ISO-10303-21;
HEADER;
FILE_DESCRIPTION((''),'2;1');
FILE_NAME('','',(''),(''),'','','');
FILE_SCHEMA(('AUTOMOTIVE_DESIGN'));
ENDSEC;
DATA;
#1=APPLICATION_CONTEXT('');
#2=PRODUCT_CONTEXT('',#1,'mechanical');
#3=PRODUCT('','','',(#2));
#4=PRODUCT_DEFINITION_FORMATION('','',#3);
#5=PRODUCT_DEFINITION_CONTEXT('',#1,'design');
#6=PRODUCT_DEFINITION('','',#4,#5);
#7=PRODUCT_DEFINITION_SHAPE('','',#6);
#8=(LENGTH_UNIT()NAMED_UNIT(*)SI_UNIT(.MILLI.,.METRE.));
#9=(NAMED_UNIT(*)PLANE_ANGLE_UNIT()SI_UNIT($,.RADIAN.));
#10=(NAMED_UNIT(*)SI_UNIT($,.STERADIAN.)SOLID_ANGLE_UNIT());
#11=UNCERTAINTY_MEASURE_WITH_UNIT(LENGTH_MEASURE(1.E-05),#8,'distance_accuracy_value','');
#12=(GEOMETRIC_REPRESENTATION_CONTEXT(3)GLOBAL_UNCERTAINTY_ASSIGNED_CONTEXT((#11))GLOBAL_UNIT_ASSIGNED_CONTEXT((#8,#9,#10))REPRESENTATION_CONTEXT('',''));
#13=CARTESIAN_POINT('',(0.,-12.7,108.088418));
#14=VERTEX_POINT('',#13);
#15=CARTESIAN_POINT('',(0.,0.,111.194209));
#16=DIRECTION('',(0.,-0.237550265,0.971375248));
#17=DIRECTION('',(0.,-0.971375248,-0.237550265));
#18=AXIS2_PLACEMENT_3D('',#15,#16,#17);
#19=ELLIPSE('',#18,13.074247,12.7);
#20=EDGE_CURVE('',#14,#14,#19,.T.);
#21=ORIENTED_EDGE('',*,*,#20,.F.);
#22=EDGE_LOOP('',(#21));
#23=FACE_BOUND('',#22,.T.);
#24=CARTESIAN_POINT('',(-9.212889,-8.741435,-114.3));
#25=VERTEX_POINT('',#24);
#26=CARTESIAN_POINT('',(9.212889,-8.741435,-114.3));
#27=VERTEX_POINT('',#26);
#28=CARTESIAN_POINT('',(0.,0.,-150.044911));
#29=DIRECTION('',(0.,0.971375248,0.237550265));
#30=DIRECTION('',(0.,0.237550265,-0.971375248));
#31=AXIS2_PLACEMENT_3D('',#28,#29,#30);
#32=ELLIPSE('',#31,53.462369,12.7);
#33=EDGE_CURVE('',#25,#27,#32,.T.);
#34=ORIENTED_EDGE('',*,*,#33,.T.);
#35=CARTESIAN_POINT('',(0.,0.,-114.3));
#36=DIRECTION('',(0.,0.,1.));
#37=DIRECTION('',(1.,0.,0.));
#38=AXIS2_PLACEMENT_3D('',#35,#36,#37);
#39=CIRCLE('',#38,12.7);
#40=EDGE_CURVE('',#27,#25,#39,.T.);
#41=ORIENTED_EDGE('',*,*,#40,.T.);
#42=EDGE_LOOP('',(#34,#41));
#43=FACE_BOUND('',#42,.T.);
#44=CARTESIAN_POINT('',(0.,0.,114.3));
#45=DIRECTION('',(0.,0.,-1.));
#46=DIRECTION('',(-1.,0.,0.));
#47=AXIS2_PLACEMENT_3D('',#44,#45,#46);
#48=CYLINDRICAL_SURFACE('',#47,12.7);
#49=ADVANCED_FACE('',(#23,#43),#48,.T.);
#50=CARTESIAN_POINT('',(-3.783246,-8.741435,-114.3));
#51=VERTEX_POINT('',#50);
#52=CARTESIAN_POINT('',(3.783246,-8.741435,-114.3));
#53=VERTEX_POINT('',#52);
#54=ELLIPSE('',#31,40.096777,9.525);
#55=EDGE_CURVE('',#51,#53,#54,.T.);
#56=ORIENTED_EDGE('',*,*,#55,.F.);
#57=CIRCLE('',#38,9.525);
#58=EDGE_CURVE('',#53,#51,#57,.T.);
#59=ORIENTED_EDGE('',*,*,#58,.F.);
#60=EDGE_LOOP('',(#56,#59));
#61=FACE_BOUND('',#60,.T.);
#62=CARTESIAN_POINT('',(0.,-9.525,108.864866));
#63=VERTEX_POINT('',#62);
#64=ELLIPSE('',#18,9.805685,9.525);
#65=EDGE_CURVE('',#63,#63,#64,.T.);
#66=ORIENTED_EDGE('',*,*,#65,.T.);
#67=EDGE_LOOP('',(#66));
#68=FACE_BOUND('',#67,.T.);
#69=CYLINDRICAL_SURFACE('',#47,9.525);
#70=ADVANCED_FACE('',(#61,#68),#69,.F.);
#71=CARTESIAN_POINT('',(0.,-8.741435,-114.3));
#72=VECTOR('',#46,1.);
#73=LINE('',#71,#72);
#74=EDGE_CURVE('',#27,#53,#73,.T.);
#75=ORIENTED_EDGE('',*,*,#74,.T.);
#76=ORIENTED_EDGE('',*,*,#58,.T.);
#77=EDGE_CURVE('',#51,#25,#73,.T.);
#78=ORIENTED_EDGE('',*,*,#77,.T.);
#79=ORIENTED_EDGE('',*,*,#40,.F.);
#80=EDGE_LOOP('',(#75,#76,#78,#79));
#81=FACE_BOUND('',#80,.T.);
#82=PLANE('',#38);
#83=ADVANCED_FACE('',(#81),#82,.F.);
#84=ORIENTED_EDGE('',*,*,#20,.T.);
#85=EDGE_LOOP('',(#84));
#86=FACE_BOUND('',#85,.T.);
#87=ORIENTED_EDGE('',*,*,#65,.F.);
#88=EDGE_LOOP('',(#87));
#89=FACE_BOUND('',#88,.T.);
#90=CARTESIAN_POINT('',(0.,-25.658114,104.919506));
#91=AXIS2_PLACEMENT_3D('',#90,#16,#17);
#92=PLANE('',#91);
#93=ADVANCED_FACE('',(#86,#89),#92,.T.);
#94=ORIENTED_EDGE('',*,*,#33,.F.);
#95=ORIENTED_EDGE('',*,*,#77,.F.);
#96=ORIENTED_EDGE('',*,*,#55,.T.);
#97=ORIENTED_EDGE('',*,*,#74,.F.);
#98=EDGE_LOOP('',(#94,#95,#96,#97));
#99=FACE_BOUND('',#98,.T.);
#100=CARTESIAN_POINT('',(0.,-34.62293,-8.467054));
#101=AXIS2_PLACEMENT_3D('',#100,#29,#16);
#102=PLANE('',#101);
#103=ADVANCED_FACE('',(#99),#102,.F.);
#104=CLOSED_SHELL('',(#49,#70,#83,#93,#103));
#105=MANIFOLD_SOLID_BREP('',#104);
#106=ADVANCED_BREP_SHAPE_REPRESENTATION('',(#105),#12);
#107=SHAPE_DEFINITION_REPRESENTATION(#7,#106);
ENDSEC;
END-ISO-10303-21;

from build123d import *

# Parameters (mm, degrees)
BOSS_EXTRUDE1_DEPTH      = 114.3
BOSS_EXTRUDE1_DEPTH_BACK = 114.3
SKETCH3_R                = 12.7
SKETCH3_R_2              = 9.525


with BuildPart() as part:
    # Sketch3 → Boss-Extrude1 (new, two sides: drawn at the far end of the back side and taken through both)
    with BuildSketch(Plane.XY.offset(-BOSS_EXTRUDE1_DEPTH_BACK)):
        Circle(SKETCH3_R)
        Circle(SKETCH3_R_2, mode=Mode.SUBTRACT)
    extrude(amount=BOSS_EXTRUDE1_DEPTH + BOSS_EXTRUDE1_DEPTH_BACK)

    # SurfaceCut1
    split(bisect_by=Plane(origin=(0, -25.658113523, 104.919505636), x_dir=(1, 0, 0), z_dir=(0, -0.23755026507145888, 0.9713752475559997)), keep=Keep.BOTTOM)

    # SurfaceCut2
    split(bisect_by=Plane(origin=(0, -34.6229304, -8.467053608), x_dir=(-1, 0, 0), z_dir=(0, 0.9713752475559997, 0.23755026507145888)), keep=Keep.TOP)


solid = part.part
